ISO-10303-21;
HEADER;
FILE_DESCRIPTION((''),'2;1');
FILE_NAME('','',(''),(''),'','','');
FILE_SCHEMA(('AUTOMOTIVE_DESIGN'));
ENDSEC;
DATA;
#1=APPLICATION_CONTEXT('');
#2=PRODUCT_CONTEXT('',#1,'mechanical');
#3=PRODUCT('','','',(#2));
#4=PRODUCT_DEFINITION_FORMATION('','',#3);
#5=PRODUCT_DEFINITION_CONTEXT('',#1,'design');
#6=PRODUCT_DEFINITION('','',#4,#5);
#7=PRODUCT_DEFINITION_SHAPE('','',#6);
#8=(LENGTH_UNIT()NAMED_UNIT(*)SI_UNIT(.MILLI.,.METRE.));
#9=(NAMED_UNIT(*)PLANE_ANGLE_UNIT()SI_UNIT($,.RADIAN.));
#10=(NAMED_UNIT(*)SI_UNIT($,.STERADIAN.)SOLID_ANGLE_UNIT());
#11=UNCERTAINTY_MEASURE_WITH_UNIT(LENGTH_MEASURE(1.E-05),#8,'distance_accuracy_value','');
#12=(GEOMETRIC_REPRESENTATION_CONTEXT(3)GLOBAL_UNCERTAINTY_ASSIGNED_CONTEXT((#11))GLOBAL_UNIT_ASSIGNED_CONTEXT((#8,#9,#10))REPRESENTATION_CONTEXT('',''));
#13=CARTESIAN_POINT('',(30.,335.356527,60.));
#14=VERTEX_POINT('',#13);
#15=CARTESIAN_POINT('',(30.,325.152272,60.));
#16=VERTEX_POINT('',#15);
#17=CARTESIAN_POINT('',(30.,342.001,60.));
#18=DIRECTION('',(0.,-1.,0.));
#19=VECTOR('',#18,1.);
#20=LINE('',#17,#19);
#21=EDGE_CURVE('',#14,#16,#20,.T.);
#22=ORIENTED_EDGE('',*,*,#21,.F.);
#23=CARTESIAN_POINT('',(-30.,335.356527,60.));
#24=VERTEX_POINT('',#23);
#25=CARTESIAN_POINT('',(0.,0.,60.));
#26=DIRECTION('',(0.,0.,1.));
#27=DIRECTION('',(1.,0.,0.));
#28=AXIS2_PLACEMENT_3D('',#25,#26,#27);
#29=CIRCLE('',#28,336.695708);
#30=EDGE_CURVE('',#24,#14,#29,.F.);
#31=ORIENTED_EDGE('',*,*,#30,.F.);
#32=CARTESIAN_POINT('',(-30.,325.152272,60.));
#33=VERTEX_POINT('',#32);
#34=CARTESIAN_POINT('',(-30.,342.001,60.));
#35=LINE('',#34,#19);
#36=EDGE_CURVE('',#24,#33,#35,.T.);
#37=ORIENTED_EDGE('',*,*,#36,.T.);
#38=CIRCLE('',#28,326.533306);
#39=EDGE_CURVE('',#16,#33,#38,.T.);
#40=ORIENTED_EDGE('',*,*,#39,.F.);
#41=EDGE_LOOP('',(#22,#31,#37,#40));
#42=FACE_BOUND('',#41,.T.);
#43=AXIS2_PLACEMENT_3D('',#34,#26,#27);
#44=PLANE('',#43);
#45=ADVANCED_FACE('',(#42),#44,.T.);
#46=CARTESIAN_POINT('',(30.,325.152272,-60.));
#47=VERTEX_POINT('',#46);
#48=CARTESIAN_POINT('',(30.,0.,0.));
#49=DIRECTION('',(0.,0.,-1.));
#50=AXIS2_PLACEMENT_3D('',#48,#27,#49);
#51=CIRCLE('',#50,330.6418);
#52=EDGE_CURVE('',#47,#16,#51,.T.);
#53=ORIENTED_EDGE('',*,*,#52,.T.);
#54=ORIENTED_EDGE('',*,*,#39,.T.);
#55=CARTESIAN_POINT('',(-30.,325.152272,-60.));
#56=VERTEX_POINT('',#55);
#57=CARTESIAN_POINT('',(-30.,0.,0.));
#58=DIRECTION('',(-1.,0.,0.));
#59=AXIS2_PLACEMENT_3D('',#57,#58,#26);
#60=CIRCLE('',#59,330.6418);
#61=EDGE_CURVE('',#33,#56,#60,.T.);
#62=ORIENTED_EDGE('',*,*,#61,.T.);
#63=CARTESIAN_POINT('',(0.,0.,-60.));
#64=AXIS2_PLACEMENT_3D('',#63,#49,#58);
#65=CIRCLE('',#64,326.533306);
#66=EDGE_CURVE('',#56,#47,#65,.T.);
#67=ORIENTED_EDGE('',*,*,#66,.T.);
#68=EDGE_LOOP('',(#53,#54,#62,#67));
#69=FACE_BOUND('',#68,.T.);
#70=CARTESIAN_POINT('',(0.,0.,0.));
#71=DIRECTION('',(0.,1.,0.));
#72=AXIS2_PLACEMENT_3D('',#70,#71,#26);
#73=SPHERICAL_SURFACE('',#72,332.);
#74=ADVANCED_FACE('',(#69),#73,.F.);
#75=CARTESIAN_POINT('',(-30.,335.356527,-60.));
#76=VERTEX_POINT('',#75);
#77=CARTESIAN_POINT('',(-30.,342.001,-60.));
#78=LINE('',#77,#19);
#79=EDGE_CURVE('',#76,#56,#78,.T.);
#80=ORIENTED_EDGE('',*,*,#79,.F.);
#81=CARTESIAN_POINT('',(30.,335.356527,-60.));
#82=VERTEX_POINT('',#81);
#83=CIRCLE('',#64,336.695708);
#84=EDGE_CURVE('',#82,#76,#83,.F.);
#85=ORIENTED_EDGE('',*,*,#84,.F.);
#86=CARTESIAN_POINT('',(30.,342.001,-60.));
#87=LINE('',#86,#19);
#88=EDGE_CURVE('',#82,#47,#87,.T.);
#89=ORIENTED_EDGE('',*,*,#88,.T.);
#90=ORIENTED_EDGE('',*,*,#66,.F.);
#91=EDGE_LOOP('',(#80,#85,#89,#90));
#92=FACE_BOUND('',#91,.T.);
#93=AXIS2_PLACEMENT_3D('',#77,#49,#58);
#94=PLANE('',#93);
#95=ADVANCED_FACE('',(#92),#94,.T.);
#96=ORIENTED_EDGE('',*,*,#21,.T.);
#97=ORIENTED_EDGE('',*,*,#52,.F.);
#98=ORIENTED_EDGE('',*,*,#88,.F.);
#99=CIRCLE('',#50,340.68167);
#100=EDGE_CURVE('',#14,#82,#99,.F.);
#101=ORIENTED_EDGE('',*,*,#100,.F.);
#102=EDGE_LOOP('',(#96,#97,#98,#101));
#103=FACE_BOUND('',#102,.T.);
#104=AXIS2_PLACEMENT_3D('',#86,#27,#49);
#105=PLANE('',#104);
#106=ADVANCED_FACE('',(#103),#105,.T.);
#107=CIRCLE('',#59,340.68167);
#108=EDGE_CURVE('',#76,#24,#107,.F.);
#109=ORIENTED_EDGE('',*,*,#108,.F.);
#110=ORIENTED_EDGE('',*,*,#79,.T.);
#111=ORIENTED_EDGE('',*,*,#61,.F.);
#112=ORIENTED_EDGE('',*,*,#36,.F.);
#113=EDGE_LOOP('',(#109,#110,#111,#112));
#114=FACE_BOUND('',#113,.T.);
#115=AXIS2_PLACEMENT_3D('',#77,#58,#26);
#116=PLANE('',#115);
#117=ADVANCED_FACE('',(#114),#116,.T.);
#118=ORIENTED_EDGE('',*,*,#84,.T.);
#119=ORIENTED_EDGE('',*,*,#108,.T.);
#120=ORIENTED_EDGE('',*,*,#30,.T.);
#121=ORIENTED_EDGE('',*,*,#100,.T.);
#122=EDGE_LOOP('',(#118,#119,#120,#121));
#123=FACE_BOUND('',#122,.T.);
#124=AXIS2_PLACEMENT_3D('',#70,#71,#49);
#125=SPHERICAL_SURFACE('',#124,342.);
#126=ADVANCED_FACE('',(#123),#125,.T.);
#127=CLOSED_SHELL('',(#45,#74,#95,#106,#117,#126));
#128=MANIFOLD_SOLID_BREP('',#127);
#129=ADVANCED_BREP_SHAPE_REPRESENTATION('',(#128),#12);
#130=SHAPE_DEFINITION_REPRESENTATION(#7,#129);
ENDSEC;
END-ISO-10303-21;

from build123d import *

# Parameters (mm, degrees)
CUT_EXTRUDE1_REACH = 361.264
SKETCH3_R          = 281.926885118
SKETCH3_W          = 60
SKETCH3_H          = 120


with BuildPart() as part:
    # Sketch2 → Revolve1 (revolve)
    with BuildSketch(Plane(origin=(0, 0, 0), x_dir=(0, 0, -1), z_dir=(1, 0, 0)), mode=Mode.PRIVATE) as revolve1_sk:
        with BuildLine():
            Line((242.5, 236.958329575), (242.5, 241.159179796))
            Line((242.5, 241.159179796), (238.5, 241.159179796))
            Line((238.5, 241.159179796), (238.5, 245.115788965))
            ThreePointArc((238.5, 245.115788965), (128.713635979, 316.854540622), (0, 342))
            Line((0, 342), (0, 332))
            ThreePointArc((0, 332), (126.922374282, 306.781210159), (234.562648062, 234.9560898))
            Line((234.562648062, 234.9560898), (242.5, 234.9560898))
            Line((242.5, 234.9560898), (242.5, 236.958329575))
        make_face()
    revolve(revolve1_sk.sketch.rotate(Axis((0, 342, 0), (0, -1, 0)), 180), axis=Axis((0, 342, 0), (0, -1, 0)))

    # Sketch3 → Cut-Extrude1 (cut, up to next)
    with BuildSketch(Plane.XZ.offset(-234.9560898), mode=Mode.PRIVATE) as cut_extrude1_sk1:
        Circle(SKETCH3_R)
        Rectangle(SKETCH3_W, SKETCH3_H, mode=Mode.SUBTRACT)
    cut_extrude1_tool1 = extrude(cut_extrude1_sk1.sketch, amount=-CUT_EXTRUDE1_REACH, mode=Mode.PRIVATE) & part.part
    add(cut_extrude1_tool1.solids().sort_by_distance((-273.952789, 234.95609, 0))[0], mode=Mode.SUBTRACT)


solid = part.part
